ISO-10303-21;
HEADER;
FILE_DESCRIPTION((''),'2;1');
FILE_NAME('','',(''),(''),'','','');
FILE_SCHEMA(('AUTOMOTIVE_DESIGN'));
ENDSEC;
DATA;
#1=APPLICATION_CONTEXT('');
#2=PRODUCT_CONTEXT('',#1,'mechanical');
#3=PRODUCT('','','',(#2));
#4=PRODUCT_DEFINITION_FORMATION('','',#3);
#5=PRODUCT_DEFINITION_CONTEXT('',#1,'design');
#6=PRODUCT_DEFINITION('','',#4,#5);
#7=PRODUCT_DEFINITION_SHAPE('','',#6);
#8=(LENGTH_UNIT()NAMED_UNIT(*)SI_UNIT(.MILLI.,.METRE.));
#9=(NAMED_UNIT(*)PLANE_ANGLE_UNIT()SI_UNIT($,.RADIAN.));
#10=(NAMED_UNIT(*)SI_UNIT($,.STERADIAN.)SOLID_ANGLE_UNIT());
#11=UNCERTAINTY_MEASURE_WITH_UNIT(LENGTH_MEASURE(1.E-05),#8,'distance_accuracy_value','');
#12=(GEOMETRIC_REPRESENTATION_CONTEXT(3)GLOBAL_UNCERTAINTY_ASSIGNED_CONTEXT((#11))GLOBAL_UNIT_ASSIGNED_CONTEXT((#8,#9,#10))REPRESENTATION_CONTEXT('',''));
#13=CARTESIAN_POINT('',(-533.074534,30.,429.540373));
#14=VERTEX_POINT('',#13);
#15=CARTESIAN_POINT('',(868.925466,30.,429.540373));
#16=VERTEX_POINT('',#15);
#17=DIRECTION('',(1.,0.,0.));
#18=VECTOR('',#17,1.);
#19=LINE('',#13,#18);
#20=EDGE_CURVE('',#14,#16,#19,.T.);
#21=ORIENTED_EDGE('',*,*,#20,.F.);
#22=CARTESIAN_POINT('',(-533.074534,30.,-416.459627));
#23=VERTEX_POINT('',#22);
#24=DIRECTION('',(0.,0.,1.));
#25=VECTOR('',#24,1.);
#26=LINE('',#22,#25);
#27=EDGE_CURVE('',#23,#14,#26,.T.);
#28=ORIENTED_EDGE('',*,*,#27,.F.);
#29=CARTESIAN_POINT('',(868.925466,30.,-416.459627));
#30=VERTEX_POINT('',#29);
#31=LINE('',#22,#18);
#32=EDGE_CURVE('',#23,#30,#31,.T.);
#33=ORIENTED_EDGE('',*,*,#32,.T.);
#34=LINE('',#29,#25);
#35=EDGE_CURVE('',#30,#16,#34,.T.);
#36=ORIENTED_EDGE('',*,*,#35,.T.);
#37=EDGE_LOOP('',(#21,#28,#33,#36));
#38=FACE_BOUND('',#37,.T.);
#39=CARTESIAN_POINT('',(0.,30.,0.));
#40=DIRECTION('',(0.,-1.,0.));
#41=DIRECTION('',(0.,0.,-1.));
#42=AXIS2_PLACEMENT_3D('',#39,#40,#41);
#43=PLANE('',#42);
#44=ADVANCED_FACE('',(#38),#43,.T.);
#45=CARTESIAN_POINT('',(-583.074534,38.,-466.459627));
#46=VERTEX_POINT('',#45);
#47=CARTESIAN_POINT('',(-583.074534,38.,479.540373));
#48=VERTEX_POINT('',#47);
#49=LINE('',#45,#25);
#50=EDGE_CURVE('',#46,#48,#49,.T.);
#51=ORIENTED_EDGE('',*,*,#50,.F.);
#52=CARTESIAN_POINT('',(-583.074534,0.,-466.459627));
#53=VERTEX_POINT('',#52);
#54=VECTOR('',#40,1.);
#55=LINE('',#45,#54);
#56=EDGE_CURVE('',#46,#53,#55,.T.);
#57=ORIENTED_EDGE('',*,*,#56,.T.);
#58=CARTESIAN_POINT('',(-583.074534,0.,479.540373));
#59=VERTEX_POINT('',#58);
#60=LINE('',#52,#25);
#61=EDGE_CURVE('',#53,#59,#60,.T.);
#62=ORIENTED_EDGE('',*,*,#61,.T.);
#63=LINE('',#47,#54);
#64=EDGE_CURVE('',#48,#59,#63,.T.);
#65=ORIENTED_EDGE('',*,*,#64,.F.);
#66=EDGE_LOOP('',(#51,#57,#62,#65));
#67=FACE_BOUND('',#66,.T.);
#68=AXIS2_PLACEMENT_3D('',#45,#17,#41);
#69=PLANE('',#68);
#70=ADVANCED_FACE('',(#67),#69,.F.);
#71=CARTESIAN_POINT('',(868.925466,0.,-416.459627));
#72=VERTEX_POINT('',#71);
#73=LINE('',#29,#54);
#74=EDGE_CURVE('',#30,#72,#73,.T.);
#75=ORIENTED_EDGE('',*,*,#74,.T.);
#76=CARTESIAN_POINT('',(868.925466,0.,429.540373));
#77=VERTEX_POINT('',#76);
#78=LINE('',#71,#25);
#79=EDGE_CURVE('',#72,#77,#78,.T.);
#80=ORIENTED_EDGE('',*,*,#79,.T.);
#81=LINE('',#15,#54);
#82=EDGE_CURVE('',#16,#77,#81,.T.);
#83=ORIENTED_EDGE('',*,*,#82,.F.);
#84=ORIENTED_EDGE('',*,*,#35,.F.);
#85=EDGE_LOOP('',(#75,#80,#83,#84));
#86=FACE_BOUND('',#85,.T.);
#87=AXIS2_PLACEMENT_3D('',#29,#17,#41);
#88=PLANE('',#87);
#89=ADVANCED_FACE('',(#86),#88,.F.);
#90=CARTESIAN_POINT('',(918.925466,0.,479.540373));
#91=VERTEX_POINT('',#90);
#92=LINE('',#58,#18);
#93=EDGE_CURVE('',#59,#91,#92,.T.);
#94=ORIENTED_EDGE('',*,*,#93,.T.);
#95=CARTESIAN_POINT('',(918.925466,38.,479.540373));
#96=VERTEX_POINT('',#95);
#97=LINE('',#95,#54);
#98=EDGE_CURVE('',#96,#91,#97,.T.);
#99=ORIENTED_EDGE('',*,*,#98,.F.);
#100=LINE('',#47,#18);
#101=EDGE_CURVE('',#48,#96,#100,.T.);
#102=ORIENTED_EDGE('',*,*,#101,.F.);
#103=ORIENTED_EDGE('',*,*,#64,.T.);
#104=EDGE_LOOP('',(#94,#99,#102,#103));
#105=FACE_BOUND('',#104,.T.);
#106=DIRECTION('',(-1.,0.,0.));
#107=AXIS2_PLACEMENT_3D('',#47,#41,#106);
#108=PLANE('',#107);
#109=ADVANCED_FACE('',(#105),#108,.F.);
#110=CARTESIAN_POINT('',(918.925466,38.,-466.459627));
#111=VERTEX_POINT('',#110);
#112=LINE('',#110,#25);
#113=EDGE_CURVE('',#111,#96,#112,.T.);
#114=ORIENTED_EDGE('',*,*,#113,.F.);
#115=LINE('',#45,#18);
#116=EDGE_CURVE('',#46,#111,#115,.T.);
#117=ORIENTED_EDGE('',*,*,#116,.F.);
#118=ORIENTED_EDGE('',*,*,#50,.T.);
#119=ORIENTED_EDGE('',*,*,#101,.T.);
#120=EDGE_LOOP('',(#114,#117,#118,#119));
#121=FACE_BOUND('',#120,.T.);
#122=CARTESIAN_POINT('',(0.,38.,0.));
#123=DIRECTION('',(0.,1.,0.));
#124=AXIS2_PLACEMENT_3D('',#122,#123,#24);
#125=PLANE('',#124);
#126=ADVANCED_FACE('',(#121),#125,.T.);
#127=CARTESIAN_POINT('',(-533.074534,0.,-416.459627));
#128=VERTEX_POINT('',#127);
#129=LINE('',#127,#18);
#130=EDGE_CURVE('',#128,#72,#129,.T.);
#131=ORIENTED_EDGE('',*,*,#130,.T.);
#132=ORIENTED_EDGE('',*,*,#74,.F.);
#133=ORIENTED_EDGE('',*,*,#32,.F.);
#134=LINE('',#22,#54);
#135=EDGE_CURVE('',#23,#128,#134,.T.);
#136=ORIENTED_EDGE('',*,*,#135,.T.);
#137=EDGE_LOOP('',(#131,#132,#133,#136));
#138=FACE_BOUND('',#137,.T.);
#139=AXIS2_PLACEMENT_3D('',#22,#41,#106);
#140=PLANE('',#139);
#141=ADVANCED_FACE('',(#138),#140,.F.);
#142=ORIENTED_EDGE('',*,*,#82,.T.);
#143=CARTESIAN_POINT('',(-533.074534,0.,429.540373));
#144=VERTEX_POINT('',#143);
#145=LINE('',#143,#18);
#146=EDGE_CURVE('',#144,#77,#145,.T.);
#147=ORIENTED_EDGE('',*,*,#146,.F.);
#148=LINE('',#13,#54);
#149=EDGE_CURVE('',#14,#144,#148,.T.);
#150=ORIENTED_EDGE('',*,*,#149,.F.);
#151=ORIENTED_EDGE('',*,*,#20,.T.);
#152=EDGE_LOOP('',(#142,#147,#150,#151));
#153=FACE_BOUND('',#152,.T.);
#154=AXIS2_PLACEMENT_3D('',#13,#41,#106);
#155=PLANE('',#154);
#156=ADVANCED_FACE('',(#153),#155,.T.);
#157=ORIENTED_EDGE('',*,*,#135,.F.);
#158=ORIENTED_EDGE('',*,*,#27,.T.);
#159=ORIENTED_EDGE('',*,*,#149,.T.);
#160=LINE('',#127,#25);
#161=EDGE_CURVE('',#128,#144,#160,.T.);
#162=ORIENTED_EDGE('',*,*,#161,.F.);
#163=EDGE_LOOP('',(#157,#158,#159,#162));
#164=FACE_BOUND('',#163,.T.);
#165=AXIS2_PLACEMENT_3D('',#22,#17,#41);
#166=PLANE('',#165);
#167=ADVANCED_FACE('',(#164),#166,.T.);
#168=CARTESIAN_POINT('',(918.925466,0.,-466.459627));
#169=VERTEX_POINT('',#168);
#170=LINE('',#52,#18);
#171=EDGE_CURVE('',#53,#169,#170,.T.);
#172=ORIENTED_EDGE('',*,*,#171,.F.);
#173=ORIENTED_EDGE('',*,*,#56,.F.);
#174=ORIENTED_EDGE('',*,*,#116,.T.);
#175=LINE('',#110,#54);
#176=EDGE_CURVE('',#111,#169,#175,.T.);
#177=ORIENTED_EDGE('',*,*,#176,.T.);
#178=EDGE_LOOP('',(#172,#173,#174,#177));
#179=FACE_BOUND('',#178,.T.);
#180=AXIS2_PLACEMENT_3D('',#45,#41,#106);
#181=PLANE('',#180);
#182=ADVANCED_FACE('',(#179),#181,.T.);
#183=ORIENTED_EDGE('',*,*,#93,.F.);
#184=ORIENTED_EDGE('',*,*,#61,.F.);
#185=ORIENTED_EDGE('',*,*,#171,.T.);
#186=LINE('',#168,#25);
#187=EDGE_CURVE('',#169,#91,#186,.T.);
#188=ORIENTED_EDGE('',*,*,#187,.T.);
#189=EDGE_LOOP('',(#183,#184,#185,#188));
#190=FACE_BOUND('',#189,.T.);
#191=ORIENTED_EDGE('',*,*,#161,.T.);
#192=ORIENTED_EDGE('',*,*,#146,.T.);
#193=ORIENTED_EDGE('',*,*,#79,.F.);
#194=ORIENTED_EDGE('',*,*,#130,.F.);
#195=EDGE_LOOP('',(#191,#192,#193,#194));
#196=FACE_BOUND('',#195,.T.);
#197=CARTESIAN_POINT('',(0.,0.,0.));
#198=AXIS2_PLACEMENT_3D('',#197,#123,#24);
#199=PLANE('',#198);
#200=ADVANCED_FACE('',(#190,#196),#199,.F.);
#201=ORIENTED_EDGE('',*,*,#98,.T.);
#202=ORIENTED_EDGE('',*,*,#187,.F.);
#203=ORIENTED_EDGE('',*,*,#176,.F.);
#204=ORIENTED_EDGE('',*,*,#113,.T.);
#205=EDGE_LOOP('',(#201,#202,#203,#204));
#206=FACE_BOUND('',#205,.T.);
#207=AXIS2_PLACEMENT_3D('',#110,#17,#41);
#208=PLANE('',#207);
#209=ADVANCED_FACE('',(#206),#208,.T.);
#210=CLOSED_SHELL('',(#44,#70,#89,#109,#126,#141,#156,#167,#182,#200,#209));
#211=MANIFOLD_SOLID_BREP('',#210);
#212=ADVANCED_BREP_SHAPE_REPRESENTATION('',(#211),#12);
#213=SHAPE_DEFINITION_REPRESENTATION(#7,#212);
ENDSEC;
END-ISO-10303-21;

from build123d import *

# Parameters (mm, degrees)
SKETCH1_W           = 1502
SKETCH1_H           = 946
BOSS_EXTRUDE1_DEPTH = 38
SKETCH1_4_W         = 1402
SKETCH1_4_H         = 846
CUT_EXTRUDE1_DEPTH  = 30


with BuildPart() as part:
    # Sketch1 → Boss-Extrude1 (new body)
    with BuildSketch(Plane(origin=(0, 0, 0), x_dir=(1, 0, 0), z_dir=(0, 1, 0))):
        with Locations((167.925465839, -6.540372671)):
            Rectangle(SKETCH1_W, SKETCH1_H)
    extrude(amount=BOSS_EXTRUDE1_DEPTH)

    # Sketch1<4> → Cut-Extrude1 (cut)
    with BuildSketch(Plane(origin=(0, 0, 0), x_dir=(1, 0, 0), z_dir=(0, 1, 0))):
        with Locations((167.925465839, -6.540372671)):
            Rectangle(SKETCH1_4_W, SKETCH1_4_H)
    extrude(amount=CUT_EXTRUDE1_DEPTH, mode=Mode.SUBTRACT)


solid = part.part
